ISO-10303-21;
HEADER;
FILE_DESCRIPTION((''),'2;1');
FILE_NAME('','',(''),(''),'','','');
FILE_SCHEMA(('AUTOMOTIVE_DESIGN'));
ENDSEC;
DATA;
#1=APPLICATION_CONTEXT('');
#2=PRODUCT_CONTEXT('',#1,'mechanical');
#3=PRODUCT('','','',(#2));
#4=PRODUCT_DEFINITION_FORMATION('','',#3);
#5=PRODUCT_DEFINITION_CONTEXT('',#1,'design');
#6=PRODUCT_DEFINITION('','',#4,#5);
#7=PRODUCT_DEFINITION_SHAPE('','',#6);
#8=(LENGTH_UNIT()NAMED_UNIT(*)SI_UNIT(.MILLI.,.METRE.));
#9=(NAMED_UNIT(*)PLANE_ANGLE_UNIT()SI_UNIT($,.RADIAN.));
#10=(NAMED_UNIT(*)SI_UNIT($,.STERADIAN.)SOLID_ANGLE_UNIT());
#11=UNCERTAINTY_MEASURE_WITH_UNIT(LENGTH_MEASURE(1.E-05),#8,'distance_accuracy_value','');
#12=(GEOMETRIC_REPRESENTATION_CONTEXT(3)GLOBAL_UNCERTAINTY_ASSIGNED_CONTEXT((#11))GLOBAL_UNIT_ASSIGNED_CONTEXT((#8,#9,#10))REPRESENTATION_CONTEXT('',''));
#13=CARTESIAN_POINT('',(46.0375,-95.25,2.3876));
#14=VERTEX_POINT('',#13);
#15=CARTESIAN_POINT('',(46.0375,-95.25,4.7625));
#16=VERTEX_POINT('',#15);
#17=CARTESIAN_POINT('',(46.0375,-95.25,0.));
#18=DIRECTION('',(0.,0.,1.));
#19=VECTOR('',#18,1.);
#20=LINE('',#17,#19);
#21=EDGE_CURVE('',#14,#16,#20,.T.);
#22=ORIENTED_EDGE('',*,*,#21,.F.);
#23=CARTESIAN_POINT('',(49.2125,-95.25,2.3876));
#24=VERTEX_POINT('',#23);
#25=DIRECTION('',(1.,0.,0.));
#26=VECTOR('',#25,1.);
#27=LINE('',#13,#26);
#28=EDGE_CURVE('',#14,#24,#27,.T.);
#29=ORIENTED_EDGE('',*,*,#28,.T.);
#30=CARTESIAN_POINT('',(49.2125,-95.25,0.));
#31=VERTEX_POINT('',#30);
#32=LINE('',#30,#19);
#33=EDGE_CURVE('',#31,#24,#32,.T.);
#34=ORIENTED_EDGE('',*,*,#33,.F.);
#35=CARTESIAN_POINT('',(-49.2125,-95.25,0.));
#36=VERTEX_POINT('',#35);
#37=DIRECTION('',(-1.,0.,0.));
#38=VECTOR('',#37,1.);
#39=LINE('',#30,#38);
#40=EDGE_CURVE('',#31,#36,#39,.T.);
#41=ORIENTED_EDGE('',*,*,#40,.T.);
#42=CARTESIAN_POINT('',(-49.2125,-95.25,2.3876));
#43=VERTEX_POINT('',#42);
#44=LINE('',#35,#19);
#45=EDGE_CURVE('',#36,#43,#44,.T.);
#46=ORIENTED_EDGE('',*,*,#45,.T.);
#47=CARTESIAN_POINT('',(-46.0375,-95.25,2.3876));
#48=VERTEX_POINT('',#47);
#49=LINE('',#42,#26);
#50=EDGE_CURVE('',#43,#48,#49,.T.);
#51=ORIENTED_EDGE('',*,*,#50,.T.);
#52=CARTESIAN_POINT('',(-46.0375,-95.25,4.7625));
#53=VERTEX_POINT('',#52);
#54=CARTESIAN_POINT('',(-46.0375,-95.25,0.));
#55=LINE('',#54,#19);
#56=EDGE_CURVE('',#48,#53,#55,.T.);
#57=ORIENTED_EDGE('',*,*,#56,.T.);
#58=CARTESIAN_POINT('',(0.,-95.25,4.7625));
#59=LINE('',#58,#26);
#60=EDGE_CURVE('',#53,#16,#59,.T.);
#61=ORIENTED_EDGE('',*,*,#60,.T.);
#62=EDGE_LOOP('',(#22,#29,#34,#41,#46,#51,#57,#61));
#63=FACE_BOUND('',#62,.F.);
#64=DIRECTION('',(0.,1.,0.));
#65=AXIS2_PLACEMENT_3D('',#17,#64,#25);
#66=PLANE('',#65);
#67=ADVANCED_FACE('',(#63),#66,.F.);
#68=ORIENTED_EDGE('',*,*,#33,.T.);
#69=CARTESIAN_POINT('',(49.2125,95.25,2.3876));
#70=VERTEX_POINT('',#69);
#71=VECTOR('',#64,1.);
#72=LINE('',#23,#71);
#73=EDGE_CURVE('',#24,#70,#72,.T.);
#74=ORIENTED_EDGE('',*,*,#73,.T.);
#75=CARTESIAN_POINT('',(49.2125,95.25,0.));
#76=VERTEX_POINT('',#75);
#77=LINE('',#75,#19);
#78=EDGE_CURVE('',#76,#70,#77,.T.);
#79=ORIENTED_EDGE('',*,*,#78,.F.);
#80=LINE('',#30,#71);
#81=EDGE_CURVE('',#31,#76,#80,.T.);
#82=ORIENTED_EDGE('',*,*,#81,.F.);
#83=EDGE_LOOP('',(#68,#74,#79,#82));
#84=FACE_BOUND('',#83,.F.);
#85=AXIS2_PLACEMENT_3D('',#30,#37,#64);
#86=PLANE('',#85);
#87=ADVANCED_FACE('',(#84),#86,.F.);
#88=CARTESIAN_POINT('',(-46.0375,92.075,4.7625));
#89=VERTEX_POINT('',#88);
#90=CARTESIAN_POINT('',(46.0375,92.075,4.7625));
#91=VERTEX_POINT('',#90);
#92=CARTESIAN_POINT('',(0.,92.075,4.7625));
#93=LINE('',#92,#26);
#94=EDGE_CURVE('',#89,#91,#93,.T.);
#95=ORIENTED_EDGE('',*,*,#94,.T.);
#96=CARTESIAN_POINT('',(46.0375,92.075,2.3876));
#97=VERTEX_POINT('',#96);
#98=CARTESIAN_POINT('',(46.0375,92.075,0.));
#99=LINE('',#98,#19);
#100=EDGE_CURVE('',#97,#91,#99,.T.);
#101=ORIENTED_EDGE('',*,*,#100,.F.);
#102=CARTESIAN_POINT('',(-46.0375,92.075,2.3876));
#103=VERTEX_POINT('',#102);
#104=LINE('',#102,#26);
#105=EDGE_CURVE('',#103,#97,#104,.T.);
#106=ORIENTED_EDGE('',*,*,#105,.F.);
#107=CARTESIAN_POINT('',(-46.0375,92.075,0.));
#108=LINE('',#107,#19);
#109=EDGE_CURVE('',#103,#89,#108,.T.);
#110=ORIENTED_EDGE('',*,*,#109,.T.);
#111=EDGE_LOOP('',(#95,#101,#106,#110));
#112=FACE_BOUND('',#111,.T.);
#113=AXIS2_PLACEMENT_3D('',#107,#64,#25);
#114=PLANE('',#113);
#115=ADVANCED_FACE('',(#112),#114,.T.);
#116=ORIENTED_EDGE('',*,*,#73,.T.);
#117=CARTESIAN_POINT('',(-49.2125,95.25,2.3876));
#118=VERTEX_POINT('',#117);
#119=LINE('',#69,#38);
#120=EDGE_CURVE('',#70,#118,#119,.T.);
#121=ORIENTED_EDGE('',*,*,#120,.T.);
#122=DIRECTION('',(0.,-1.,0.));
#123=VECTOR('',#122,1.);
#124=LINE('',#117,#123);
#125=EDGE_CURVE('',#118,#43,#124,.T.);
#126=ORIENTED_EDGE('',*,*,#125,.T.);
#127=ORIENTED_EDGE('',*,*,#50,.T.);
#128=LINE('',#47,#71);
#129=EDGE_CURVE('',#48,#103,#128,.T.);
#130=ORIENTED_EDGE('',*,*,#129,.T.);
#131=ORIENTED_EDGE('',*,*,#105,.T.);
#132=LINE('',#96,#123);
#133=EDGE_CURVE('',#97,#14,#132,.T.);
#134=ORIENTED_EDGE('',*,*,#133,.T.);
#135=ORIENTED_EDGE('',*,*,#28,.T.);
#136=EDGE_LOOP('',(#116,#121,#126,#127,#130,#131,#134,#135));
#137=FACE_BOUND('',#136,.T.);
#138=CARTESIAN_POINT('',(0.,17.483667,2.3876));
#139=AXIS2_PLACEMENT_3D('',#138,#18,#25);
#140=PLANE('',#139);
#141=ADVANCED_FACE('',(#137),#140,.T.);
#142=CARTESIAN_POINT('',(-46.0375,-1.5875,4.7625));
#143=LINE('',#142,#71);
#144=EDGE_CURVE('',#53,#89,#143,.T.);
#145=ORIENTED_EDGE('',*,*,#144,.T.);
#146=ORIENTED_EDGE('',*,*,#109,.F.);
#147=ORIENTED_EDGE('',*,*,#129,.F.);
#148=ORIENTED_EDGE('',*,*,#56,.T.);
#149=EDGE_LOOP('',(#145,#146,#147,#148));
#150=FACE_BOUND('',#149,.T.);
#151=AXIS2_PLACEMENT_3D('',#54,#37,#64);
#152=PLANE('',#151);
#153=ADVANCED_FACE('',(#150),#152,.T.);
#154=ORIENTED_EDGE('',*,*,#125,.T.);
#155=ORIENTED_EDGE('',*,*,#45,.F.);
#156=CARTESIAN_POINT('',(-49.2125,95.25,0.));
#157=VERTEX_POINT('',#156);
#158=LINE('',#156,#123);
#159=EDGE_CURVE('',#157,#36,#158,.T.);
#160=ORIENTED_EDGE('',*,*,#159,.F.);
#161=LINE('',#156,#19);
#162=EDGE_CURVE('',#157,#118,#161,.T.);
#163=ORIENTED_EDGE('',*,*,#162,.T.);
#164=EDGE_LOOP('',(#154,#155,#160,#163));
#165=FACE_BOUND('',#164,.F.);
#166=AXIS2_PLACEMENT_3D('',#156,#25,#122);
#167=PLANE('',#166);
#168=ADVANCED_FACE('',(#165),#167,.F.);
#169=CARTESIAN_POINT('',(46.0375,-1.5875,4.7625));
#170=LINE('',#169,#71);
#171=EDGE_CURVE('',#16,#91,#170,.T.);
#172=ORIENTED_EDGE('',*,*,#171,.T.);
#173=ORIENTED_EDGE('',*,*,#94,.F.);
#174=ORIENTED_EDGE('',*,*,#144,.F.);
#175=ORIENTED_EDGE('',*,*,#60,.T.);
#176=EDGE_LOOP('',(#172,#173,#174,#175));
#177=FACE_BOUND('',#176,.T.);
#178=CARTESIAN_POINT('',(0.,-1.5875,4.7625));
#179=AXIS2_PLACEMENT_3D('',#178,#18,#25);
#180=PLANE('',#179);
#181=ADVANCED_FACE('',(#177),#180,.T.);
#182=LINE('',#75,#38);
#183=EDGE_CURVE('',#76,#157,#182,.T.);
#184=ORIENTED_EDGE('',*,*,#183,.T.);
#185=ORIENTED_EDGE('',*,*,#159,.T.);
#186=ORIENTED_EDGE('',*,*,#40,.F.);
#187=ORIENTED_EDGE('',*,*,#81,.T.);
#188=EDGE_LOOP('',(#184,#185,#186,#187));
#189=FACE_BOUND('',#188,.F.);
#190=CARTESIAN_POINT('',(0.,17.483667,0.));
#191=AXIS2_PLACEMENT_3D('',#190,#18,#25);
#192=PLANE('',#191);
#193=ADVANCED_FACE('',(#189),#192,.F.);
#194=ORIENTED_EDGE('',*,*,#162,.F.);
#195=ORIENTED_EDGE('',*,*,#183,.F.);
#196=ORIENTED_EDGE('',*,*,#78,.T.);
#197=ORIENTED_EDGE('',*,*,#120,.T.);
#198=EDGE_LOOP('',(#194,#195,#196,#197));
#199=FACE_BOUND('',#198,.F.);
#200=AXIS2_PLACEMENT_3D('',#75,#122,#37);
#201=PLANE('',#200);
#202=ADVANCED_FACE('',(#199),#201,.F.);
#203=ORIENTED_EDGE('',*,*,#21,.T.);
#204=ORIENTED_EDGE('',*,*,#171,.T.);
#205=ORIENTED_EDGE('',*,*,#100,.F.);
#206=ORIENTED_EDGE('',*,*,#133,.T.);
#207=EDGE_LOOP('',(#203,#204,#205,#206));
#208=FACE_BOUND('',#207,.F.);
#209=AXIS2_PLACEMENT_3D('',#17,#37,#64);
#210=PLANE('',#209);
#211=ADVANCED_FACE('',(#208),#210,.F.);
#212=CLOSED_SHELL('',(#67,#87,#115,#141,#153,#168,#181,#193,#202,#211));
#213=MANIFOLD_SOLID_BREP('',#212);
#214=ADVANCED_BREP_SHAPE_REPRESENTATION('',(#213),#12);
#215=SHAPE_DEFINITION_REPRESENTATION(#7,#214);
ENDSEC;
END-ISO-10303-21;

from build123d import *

# Parameters (mm, degrees)
F0_W     = 92.075
F0_H     = 187.325
F1_DEPTH = 4.7625
F2_DEPTH = 2.3876


with BuildPart() as f1:
    # F0 (on Top) → F1 (new body)
    with BuildSketch(Plane.XY):
        with Locations((0, -1.5875)):
            Rectangle(F0_W, F0_H)
    extrude(amount=F1_DEPTH)

    # F0 (on Top) → F2 (join)
    with BuildSketch(Plane.XY):
        Polygon((49.2125, 95.25), (-49.2125, 95.25), (-49.2125, -95.25), (-46.0375, -95.25), (-46.0375, 92.075), (46.0375, 92.075), (46.0375, -95.25), (49.2125, -95.25), align=None)
    extrude(amount=F2_DEPTH)


solid = f1.part
